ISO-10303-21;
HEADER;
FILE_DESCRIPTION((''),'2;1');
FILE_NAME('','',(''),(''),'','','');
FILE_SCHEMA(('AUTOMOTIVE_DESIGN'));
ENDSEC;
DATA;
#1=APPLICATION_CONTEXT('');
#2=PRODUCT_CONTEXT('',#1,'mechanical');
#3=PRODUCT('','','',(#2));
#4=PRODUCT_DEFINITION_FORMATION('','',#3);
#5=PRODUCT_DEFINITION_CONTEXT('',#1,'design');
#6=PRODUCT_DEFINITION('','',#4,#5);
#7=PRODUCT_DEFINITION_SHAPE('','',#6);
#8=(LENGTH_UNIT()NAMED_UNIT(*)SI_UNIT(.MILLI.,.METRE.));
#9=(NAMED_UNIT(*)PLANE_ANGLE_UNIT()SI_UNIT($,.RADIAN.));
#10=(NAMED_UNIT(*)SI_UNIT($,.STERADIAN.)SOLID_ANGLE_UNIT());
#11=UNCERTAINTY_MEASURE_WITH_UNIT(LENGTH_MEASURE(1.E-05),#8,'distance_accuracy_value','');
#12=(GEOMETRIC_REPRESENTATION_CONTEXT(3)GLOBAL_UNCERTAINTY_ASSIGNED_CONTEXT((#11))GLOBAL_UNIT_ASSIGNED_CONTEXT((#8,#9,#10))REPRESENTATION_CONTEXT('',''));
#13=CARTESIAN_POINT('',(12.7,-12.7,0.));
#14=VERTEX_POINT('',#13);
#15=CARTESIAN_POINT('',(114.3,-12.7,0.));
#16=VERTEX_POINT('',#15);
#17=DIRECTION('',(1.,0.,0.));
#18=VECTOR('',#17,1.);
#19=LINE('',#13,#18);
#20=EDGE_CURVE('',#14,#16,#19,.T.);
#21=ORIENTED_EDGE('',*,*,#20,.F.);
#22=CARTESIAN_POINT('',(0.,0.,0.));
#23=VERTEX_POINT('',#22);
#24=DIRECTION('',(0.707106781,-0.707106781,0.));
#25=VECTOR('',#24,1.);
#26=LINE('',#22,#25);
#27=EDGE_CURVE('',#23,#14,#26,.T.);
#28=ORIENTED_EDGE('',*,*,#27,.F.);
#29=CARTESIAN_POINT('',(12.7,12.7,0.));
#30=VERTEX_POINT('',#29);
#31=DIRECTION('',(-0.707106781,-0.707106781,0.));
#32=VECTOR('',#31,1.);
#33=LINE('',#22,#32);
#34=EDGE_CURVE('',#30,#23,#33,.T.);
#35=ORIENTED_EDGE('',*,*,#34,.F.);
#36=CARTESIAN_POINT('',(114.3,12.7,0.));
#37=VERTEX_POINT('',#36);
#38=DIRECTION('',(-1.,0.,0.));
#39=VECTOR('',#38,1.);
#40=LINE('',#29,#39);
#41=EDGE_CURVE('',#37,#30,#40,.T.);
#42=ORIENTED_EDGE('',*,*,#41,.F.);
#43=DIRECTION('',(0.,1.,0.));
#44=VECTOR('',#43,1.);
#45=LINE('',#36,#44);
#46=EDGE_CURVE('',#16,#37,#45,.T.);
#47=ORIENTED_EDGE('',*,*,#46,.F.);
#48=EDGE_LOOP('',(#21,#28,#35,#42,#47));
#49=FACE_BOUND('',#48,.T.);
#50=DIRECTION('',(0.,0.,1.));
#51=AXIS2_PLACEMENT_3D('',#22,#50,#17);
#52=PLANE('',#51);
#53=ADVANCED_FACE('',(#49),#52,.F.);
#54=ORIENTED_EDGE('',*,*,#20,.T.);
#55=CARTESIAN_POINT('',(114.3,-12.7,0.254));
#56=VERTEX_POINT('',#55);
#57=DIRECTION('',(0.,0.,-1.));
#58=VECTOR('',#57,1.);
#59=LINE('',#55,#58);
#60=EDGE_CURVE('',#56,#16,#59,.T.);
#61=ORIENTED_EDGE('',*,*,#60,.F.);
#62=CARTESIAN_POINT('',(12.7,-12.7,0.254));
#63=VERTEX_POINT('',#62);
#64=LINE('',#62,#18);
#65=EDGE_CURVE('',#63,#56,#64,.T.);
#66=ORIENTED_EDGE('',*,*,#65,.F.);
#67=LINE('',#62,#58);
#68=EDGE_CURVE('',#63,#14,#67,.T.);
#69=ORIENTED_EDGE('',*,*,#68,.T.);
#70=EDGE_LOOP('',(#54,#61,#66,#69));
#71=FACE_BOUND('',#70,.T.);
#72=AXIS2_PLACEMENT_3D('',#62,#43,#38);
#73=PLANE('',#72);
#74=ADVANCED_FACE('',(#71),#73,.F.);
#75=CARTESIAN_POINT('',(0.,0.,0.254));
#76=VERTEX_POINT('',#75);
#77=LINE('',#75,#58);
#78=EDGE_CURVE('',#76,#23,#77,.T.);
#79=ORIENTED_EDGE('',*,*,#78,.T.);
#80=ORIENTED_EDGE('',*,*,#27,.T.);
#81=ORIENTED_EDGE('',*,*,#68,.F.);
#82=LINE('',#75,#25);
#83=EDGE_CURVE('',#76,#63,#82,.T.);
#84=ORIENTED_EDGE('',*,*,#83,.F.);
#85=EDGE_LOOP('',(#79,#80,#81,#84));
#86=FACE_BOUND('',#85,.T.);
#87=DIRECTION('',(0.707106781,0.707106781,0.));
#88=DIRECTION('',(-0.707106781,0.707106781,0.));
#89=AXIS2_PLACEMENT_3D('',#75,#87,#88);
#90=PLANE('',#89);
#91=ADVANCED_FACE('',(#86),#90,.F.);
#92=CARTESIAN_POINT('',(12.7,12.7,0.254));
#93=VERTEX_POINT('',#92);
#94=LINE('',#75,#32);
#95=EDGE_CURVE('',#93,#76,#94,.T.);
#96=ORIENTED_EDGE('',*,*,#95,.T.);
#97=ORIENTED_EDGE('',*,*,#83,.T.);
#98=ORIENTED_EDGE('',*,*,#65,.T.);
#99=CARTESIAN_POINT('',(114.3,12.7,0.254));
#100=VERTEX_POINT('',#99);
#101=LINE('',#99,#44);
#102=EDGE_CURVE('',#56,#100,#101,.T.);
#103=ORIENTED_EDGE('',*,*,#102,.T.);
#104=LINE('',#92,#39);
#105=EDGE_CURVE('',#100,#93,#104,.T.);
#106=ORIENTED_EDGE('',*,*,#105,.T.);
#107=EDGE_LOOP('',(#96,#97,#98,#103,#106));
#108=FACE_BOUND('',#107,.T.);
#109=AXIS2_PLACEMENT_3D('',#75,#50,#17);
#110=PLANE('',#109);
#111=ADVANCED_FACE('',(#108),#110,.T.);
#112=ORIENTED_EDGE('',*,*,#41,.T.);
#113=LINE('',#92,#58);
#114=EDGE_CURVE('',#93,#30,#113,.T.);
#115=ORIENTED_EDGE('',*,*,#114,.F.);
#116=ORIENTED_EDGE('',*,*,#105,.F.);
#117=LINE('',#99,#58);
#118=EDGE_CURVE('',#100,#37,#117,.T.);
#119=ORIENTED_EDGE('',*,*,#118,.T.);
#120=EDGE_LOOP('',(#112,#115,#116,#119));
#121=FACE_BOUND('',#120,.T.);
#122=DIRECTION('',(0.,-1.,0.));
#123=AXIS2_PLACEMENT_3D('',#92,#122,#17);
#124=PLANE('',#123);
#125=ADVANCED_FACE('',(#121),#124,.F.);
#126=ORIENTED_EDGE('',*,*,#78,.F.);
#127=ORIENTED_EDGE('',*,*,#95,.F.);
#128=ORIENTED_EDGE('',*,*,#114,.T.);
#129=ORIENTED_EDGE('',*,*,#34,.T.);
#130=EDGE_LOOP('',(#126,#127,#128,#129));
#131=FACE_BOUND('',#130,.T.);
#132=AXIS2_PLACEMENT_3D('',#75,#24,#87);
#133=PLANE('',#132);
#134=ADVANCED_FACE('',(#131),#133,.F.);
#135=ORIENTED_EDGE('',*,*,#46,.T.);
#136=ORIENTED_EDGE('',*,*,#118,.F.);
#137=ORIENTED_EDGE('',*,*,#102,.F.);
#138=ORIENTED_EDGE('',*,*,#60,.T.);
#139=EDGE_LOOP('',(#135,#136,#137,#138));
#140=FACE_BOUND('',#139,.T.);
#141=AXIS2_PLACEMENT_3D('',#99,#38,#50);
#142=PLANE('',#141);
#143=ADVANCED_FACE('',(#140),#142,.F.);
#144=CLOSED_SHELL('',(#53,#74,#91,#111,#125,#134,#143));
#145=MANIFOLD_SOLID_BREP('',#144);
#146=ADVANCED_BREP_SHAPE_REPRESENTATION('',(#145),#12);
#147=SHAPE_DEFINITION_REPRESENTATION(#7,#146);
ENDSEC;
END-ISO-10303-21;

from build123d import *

# Parameters (mm, degrees)
BOSS_EXTRUDE1_DEPTH = 0.254


with BuildPart() as part:
    # Sketch1 → Boss-Extrude1 (new body)
    with BuildSketch(Plane.XY):
        Polygon((0, 0), (12.7, 12.7), (114.3, 12.7), (114.3, -12.7), (12.7, -12.7), align=None)
    extrude(amount=BOSS_EXTRUDE1_DEPTH)


solid = part.part
